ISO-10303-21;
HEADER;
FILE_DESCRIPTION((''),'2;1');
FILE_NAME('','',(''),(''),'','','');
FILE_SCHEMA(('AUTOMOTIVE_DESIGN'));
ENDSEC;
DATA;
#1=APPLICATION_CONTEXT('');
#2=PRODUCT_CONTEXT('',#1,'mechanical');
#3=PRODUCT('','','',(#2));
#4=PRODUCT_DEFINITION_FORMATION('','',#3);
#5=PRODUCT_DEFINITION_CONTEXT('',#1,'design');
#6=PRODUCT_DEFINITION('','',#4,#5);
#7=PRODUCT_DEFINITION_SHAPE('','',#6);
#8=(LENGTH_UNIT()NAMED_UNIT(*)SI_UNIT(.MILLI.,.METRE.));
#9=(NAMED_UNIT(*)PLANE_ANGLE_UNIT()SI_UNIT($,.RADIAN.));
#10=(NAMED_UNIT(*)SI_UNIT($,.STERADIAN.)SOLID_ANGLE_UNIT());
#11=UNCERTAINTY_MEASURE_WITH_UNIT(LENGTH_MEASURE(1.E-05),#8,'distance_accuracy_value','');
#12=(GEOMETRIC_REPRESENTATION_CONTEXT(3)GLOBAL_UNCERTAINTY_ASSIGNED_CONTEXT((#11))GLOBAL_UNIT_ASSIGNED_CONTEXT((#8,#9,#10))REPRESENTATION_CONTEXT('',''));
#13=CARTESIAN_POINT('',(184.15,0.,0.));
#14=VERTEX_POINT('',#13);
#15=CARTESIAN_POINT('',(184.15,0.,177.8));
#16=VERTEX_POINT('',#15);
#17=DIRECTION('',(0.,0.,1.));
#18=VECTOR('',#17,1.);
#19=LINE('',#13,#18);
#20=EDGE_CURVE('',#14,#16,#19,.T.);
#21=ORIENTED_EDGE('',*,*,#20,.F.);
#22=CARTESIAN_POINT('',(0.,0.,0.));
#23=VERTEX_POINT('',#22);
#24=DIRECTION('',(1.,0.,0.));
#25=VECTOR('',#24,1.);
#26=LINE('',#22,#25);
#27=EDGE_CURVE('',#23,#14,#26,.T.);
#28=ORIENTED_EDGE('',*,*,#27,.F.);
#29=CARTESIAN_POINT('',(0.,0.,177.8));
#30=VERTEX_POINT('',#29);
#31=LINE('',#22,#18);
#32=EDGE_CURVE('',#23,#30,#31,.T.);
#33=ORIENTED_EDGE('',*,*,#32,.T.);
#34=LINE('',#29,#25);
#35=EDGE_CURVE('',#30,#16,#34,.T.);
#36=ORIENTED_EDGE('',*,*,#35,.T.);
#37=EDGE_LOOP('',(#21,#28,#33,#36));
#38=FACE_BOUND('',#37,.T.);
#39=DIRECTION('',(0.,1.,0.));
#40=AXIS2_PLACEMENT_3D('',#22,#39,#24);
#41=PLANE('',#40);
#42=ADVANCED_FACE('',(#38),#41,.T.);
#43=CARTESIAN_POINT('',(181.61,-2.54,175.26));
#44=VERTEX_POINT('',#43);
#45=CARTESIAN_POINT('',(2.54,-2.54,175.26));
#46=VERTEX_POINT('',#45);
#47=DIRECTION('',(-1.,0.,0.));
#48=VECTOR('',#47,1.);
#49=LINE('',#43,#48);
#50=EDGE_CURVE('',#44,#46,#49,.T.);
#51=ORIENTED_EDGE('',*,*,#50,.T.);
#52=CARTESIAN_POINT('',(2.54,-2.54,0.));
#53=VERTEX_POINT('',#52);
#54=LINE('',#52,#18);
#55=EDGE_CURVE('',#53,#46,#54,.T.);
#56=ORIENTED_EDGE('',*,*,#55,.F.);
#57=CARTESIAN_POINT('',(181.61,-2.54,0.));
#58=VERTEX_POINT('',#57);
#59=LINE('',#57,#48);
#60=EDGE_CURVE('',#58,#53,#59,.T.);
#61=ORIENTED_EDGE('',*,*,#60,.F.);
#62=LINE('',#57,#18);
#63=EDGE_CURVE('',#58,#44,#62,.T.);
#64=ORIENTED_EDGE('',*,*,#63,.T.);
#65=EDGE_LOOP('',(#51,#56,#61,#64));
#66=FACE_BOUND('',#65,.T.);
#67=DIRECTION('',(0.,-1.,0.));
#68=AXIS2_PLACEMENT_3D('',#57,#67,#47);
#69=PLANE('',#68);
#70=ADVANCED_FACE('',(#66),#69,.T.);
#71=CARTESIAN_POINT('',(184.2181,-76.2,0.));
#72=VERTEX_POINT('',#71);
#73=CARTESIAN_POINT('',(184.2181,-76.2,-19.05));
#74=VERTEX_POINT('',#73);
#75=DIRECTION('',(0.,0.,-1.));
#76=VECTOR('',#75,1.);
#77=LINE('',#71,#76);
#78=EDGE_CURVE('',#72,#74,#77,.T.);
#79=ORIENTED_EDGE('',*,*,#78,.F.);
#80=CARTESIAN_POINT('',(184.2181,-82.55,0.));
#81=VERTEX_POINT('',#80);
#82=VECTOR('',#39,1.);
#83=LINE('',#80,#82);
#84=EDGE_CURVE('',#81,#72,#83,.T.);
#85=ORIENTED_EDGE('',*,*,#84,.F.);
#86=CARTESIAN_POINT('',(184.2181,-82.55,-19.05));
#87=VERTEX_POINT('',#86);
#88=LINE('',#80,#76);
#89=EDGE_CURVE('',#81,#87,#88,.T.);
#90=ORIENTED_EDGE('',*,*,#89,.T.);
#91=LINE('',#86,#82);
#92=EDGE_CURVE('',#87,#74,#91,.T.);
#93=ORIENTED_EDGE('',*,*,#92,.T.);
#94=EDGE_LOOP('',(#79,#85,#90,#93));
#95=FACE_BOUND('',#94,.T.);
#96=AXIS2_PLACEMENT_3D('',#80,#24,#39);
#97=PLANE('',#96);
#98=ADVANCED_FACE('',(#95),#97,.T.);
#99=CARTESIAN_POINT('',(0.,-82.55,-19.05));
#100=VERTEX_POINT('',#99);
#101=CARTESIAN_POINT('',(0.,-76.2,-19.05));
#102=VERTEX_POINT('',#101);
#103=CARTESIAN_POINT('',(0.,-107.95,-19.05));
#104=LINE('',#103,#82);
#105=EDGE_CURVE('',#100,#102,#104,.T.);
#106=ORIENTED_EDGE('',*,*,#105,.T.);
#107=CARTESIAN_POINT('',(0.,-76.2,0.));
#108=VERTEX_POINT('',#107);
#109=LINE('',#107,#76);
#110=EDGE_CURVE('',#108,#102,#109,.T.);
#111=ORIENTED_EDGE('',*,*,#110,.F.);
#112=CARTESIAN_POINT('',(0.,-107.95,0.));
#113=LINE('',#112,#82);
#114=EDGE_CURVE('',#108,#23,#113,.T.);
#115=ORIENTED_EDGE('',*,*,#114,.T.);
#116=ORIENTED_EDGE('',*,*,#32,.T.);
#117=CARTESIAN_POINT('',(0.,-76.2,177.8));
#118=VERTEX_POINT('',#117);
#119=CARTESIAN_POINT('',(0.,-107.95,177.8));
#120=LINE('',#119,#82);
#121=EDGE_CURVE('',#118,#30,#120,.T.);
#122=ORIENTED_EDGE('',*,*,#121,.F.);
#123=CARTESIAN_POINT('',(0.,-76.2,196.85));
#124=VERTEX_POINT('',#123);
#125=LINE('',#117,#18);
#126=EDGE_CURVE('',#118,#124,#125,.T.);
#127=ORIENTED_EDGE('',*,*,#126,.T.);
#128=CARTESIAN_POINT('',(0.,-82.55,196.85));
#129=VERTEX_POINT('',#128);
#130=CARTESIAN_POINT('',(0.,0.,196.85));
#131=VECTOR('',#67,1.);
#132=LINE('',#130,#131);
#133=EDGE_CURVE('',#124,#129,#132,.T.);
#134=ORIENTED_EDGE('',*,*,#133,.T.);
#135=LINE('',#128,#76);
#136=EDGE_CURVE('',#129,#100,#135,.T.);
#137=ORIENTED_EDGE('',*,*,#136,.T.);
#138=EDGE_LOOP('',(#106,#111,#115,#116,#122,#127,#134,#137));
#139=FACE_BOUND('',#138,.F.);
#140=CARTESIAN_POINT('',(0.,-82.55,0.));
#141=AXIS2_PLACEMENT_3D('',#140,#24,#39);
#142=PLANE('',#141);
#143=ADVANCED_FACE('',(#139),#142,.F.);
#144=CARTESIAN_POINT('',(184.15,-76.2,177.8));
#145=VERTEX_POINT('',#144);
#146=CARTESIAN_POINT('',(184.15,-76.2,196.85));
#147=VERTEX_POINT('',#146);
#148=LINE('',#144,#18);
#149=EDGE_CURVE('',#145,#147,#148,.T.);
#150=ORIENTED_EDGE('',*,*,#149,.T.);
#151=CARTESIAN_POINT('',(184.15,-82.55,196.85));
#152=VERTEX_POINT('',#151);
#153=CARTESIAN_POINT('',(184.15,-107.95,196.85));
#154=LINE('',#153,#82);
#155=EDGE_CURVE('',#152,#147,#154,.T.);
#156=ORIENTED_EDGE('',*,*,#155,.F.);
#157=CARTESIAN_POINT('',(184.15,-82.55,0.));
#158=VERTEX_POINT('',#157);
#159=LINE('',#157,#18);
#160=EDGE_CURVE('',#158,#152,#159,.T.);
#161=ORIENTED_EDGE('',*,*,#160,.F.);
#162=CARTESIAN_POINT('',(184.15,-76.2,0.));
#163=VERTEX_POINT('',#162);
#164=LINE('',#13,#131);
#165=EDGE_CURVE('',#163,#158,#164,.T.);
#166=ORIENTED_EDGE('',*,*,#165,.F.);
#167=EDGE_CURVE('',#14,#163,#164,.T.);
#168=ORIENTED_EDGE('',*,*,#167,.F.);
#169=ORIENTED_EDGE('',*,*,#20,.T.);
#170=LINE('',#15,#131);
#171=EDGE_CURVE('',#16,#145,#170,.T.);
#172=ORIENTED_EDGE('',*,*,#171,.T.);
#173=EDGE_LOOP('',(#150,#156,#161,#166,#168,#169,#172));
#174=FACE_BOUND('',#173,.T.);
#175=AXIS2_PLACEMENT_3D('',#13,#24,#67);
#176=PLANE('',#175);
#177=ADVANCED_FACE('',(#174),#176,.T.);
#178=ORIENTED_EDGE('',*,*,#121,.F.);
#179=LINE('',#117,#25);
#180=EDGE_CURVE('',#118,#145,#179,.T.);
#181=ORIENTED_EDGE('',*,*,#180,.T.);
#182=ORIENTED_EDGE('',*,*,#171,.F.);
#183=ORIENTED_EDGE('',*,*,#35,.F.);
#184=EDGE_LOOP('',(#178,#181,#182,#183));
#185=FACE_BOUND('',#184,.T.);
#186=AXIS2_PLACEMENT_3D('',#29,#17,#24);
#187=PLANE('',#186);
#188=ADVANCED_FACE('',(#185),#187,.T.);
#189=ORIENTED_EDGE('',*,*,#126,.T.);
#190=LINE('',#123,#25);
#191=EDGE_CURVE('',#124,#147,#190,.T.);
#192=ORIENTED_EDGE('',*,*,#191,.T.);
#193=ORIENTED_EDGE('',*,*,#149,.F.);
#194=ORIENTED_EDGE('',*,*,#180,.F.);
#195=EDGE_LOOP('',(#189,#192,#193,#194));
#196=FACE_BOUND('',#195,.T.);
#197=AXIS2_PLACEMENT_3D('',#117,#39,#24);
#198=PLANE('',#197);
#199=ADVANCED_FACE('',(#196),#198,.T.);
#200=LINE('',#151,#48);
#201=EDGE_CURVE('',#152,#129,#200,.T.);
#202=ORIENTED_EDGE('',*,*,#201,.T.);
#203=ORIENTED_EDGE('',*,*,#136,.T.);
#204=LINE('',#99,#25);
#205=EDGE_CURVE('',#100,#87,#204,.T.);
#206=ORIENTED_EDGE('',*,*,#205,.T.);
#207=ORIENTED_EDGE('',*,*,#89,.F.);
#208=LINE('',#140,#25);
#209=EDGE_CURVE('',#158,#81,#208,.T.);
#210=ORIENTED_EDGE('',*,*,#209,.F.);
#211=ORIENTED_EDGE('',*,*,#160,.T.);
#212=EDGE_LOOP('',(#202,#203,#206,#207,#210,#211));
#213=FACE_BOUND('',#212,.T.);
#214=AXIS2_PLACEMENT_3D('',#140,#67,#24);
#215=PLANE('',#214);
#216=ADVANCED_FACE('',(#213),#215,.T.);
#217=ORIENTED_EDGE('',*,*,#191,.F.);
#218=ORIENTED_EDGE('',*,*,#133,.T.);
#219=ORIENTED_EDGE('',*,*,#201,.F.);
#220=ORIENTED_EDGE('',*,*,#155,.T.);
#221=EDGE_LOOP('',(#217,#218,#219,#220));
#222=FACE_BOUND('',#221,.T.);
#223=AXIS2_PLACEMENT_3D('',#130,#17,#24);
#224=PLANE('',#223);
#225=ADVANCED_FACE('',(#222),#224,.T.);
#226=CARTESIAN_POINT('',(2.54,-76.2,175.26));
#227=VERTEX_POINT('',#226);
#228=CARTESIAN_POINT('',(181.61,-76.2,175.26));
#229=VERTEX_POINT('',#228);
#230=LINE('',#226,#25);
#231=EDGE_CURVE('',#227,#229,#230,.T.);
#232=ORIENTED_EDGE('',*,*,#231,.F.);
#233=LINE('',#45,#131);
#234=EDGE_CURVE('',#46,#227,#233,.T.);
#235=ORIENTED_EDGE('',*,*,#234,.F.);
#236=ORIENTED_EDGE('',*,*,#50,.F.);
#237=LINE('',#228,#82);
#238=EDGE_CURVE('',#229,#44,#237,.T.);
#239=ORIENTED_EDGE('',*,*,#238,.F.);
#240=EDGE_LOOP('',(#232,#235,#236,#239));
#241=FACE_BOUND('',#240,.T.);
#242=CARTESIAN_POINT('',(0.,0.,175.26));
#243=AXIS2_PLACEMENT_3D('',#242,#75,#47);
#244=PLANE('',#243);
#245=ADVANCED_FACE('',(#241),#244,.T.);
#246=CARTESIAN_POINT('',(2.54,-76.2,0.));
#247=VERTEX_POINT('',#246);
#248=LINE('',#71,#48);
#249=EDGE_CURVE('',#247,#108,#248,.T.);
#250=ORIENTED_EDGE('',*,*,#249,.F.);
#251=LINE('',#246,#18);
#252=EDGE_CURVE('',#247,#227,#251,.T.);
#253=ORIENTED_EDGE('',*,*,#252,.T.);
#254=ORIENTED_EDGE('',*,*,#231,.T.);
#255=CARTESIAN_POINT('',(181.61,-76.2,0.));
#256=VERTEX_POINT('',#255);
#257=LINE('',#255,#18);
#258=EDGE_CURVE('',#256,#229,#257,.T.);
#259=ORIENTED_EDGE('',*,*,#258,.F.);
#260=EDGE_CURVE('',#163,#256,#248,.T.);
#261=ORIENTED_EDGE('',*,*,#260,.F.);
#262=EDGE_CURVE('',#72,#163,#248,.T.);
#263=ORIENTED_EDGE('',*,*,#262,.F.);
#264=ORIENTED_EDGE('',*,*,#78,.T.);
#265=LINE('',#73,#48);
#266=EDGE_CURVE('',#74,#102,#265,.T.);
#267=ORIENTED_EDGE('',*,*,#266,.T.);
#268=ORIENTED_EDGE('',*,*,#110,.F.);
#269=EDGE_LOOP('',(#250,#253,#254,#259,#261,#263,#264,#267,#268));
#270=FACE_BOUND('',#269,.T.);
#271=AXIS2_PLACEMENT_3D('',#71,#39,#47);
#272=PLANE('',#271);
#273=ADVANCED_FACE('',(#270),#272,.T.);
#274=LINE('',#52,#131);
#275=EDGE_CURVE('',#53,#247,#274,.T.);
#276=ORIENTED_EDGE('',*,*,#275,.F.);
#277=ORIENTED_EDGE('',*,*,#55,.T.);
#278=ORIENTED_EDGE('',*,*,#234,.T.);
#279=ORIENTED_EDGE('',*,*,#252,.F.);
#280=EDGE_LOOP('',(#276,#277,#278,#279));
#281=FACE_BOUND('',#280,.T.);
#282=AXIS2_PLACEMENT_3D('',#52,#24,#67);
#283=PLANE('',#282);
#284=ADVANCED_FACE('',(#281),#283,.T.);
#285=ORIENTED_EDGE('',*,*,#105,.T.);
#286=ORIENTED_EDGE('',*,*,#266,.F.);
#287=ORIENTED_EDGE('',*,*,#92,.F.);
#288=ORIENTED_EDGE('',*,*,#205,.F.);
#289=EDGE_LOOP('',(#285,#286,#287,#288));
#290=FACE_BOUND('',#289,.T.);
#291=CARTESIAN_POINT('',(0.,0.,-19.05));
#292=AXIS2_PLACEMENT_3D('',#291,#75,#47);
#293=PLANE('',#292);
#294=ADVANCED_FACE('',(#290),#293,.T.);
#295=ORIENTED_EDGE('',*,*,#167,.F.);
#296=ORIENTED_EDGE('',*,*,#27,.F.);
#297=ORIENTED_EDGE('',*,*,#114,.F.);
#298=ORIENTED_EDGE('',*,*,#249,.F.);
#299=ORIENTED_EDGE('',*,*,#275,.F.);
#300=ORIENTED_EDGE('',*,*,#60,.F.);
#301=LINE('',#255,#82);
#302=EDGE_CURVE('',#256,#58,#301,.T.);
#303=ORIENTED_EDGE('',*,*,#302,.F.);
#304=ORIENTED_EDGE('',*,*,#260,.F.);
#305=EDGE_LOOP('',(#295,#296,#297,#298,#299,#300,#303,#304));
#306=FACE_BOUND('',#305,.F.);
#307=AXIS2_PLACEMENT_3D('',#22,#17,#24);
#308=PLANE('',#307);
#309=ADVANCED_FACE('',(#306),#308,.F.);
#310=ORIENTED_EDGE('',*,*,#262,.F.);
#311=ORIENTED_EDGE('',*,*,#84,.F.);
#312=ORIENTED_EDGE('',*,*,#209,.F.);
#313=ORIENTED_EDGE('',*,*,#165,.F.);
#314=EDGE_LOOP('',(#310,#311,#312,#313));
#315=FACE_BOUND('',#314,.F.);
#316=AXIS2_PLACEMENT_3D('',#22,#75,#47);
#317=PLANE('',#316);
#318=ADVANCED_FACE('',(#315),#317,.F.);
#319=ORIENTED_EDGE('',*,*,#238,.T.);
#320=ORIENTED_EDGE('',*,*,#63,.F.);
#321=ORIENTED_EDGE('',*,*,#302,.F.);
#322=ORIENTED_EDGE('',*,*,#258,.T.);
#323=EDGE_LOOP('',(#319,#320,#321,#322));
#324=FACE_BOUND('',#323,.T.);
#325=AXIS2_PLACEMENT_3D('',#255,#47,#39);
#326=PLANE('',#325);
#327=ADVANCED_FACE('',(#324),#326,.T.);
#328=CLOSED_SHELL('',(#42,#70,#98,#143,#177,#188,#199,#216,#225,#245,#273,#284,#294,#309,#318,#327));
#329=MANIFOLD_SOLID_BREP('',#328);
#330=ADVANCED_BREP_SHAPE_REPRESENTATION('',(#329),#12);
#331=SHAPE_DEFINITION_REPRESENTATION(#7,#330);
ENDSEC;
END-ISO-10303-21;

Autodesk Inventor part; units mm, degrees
ref_plane "YZ Plane" through (0, 0, 0) normal (1, 0, 0) x (0, 1, 0)
ref_plane "XZ Plane" through (0, 0, 0) normal (0, 1, 0) x (-1, 0, 0)
ref_plane "XY Plane" through (0, 0, 0) normal (0, 0, 1) x (1, 0, 0)
sketch "Sketch1" plane through (0, 0, 0) normal (0, 0, 1) x (1, 0, 0)
  line L0 (0, 0) -> (184.15, 0)
  line L1 (184.15, 0) -> (184.15, -107.95)
  line L2 (184.15, -107.95) -> (0, -107.95)
  line L3 (0, -107.95) -> (0, 0)
  dimension "d0" = 107.95
  dimension "d1" = 184.15
extrude "Extrusion1" add sketch "Sketch1" along normal blind 177.8
sketch "Sketch2" plane through (0, 0, 177.8) normal (0, 0, 1) x (1, 0, 0)
  line L0 (0, 0) -> (0, -107.95) projected
  line L1 (184.15, -107.95) -> (184.15, 0) projected
  line L2 (0, -76.2) -> (184.15, -76.2)
  line L3 (184.15, -76.2) -> (184.15, -82.55)
  line L4 (184.15, -82.55) -> (0, -82.55)
  line L5 (0, -82.55) -> (0, -76.2)
  line L6 (0, -107.95) -> (184.15, -107.95) projected
  dimension "d4" = 6.35
  dimension "d5" = 25.4
extrude "Extrusion2" add sketch "Sketch2" along normal blind 19.05 contours L2 L1 L4 L0
sketch "Sketch3" plane through (0, 0, 0) normal (0, 0, -1) x (-1, 0, 0)
  line L0 (0, -107.95) -> (0, 0) projected
  line L1 (-184.2181, -76.2) -> (0, -76.2)
  line L2 (0, -76.2) -> (0, -82.55)
  line L3 (0, -82.55) -> (-184.2181, -82.55)
  line L4 (-184.2181, -82.55) -> (-184.2181, -76.2)
  line L5 (-184.15, -107.95) -> (0, -107.95) projected
  line L6 (0, 0) -> (-184.15, 0) projected
  dimension "d8" = 25.4
  dimension "d9" = 76.2
extrude "Extrusion3" add sketch "Sketch3" along normal blind 19.05
sketch "Sketch4" plane through (184.15, 0, 177.8) normal (1, 0, 0) x (0, 0, -1)
  line L0 (177.8, -76.2) -> (177.8, -82.55)
  line L1 (177.8, -76.2) -> (196.85, -76.2) projected
  point P0 (177.8, 0)
  point P1 (0, -82.55)
  point P2 (0, -76.2)
sketch "Sketch5" plane through (184.15, 0, 177.8) normal (1, 0, 0) x (0, 0, -1)
  point P0 (177.8, 0)
sketch "Sketch6" plane through (0, 0, 0) normal (0, 0, -1) x (-1, 0, 0)
  line L0 (-181.61, -2.54) -> (-2.54, -2.54)
  line L1 (-2.54, -2.54) -> (-2.54, -76.2)
  line L2 (-2.54, -76.2) -> (-181.61, -76.2)
  line L3 (-181.61, -76.2) -> (-181.61, -2.54)
  line L4 (0, 0) -> (-184.15, 0) projected
  line L5 (0, -76.2) -> (0, 0) projected
  line L6 (-184.15, 0) -> (-184.15, -76.2) projected
  line L7 (0, -76.2) -> (-184.2181, -76.2) projected
  dimension "d12" = 2.54
  dimension "d13" = 2.54
  dimension "d14" = 2.54
  dimension "d15" = 0
extrude "Extrusion4" cut sketch "Sketch6" against normal blind 175.26 contours L0 L1 L2 L3
sketch "Sketch7" plane through (0, 0, 0) normal (0, 0, -1) x (-1, 0, 0)
  point P0 (0, 0)
sketch "Sketch8" plane through (0, 0, 0) normal (0, 0, -1) x (-1, 0, 0)
  line L0 (0, -82.55) -> (-184.15, -82.55) projected
  line L1 (-184.15, -82.55) -> (-184.15, -107.95) projected
  line L2 (-184.15, -107.95) -> (0, -107.95) projected
  line L3 (0, -107.95) -> (0, -82.55) projected
  point P0 (0, 0)
extrude "Extrusion5" cut sketch "Sketch8" against normal blind 177.8
properties part number "robotics battery box"
